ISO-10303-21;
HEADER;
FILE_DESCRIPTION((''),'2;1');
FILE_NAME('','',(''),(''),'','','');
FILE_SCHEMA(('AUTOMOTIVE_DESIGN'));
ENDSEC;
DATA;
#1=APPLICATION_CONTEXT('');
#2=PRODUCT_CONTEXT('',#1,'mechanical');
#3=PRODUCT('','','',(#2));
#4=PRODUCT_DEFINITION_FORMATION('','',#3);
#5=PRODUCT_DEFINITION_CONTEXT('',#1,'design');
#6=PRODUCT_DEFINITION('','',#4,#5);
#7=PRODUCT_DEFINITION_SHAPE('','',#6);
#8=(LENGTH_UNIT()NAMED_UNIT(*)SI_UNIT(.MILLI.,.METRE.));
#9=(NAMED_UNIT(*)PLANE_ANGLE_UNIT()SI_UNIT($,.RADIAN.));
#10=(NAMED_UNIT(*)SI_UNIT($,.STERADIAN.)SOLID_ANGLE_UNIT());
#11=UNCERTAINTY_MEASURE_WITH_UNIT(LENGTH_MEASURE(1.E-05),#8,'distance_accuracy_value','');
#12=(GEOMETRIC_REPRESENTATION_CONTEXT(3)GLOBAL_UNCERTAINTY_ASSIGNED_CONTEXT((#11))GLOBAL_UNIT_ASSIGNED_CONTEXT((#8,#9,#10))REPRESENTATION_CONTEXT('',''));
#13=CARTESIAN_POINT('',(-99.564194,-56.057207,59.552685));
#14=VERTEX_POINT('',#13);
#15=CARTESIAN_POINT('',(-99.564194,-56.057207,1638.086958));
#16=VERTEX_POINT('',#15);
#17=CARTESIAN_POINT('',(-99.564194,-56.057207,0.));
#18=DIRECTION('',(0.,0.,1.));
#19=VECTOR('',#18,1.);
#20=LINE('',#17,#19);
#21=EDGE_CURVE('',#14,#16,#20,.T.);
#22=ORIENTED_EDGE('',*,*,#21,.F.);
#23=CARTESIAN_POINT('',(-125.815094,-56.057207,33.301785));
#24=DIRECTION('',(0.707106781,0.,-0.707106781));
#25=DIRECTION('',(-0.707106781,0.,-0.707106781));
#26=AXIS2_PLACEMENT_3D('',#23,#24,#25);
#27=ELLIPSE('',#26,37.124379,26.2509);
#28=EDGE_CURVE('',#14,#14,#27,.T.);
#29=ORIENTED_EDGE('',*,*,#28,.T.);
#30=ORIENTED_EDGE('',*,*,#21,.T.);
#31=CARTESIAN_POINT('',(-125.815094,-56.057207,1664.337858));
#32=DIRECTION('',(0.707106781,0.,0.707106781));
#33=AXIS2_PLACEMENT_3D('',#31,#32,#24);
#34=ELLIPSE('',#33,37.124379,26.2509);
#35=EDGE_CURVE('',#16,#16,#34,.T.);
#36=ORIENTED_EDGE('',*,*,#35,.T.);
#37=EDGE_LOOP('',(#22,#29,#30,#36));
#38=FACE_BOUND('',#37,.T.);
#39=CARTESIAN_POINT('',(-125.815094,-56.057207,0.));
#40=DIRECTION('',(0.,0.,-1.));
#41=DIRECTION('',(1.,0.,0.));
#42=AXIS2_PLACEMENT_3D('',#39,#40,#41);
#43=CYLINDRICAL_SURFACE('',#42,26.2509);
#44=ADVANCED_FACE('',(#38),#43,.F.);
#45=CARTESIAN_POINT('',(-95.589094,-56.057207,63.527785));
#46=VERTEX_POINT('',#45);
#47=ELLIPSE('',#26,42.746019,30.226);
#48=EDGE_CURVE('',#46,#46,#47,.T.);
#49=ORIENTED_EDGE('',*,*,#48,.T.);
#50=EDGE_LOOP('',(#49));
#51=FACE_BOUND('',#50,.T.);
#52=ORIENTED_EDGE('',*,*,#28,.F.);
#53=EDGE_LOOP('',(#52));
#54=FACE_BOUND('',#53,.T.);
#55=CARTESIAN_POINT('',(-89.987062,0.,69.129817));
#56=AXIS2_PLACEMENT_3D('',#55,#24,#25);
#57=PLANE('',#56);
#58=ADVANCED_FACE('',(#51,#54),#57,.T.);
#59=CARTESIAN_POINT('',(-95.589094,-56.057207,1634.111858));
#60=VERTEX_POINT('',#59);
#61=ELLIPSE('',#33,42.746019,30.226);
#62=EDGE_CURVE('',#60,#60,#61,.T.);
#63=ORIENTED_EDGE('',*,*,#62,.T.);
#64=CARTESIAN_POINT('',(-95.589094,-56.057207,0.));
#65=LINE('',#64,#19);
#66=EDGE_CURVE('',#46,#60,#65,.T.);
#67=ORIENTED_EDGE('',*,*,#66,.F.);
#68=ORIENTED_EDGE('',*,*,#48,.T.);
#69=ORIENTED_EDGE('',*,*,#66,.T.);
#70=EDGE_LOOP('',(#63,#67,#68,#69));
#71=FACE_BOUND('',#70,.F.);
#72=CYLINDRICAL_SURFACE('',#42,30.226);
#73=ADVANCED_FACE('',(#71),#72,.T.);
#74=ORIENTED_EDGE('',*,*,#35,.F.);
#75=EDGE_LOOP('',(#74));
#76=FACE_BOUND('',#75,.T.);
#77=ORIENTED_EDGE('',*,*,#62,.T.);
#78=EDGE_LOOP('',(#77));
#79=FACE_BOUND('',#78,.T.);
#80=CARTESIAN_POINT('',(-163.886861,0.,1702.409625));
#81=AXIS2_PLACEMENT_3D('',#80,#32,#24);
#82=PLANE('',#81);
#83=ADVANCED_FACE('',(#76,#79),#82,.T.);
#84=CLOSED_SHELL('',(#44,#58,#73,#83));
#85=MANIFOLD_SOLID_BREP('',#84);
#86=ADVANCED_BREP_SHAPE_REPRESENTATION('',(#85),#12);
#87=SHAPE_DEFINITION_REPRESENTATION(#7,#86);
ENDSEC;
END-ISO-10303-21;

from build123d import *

# Parameters (mm, degrees)
F0_R     = 30.226
F0_R_2   = 26.2509
F1_DEPTH = 1695.45
F3_DEPTH = 103.124
F5_DEPTH = 124.968


with BuildPart() as f1:
    # F0 (on Top) → F1 (new body)
    with BuildSketch(Plane.XY):
        with Locations((-125.815094, -56.057207)):
            Circle(F0_R)
        with Locations((-125.815094, -56.057207)):
            Circle(F0_R_2, mode=Mode.SUBTRACT)
    extrude(amount=F1_DEPTH)

    # F2 (on Front) → F3 (cut)
    with BuildSketch(Plane.XZ):
        Polygon((-89.987062, 69.129817), (-159.116879, 0), (-88.816114, 0), align=None)
    extrude(amount=F3_DEPTH, mode=Mode.SUBTRACT)

    # F4 (on Front) → F5 (cut)
    with BuildSketch(Plane.XZ):
        Polygon((-93.407938, 1702.409625), (-163.886861, 1702.409625), (-93.407938, 1631.930702), align=None)
    extrude(amount=F5_DEPTH, mode=Mode.SUBTRACT)


solid = f1.part
